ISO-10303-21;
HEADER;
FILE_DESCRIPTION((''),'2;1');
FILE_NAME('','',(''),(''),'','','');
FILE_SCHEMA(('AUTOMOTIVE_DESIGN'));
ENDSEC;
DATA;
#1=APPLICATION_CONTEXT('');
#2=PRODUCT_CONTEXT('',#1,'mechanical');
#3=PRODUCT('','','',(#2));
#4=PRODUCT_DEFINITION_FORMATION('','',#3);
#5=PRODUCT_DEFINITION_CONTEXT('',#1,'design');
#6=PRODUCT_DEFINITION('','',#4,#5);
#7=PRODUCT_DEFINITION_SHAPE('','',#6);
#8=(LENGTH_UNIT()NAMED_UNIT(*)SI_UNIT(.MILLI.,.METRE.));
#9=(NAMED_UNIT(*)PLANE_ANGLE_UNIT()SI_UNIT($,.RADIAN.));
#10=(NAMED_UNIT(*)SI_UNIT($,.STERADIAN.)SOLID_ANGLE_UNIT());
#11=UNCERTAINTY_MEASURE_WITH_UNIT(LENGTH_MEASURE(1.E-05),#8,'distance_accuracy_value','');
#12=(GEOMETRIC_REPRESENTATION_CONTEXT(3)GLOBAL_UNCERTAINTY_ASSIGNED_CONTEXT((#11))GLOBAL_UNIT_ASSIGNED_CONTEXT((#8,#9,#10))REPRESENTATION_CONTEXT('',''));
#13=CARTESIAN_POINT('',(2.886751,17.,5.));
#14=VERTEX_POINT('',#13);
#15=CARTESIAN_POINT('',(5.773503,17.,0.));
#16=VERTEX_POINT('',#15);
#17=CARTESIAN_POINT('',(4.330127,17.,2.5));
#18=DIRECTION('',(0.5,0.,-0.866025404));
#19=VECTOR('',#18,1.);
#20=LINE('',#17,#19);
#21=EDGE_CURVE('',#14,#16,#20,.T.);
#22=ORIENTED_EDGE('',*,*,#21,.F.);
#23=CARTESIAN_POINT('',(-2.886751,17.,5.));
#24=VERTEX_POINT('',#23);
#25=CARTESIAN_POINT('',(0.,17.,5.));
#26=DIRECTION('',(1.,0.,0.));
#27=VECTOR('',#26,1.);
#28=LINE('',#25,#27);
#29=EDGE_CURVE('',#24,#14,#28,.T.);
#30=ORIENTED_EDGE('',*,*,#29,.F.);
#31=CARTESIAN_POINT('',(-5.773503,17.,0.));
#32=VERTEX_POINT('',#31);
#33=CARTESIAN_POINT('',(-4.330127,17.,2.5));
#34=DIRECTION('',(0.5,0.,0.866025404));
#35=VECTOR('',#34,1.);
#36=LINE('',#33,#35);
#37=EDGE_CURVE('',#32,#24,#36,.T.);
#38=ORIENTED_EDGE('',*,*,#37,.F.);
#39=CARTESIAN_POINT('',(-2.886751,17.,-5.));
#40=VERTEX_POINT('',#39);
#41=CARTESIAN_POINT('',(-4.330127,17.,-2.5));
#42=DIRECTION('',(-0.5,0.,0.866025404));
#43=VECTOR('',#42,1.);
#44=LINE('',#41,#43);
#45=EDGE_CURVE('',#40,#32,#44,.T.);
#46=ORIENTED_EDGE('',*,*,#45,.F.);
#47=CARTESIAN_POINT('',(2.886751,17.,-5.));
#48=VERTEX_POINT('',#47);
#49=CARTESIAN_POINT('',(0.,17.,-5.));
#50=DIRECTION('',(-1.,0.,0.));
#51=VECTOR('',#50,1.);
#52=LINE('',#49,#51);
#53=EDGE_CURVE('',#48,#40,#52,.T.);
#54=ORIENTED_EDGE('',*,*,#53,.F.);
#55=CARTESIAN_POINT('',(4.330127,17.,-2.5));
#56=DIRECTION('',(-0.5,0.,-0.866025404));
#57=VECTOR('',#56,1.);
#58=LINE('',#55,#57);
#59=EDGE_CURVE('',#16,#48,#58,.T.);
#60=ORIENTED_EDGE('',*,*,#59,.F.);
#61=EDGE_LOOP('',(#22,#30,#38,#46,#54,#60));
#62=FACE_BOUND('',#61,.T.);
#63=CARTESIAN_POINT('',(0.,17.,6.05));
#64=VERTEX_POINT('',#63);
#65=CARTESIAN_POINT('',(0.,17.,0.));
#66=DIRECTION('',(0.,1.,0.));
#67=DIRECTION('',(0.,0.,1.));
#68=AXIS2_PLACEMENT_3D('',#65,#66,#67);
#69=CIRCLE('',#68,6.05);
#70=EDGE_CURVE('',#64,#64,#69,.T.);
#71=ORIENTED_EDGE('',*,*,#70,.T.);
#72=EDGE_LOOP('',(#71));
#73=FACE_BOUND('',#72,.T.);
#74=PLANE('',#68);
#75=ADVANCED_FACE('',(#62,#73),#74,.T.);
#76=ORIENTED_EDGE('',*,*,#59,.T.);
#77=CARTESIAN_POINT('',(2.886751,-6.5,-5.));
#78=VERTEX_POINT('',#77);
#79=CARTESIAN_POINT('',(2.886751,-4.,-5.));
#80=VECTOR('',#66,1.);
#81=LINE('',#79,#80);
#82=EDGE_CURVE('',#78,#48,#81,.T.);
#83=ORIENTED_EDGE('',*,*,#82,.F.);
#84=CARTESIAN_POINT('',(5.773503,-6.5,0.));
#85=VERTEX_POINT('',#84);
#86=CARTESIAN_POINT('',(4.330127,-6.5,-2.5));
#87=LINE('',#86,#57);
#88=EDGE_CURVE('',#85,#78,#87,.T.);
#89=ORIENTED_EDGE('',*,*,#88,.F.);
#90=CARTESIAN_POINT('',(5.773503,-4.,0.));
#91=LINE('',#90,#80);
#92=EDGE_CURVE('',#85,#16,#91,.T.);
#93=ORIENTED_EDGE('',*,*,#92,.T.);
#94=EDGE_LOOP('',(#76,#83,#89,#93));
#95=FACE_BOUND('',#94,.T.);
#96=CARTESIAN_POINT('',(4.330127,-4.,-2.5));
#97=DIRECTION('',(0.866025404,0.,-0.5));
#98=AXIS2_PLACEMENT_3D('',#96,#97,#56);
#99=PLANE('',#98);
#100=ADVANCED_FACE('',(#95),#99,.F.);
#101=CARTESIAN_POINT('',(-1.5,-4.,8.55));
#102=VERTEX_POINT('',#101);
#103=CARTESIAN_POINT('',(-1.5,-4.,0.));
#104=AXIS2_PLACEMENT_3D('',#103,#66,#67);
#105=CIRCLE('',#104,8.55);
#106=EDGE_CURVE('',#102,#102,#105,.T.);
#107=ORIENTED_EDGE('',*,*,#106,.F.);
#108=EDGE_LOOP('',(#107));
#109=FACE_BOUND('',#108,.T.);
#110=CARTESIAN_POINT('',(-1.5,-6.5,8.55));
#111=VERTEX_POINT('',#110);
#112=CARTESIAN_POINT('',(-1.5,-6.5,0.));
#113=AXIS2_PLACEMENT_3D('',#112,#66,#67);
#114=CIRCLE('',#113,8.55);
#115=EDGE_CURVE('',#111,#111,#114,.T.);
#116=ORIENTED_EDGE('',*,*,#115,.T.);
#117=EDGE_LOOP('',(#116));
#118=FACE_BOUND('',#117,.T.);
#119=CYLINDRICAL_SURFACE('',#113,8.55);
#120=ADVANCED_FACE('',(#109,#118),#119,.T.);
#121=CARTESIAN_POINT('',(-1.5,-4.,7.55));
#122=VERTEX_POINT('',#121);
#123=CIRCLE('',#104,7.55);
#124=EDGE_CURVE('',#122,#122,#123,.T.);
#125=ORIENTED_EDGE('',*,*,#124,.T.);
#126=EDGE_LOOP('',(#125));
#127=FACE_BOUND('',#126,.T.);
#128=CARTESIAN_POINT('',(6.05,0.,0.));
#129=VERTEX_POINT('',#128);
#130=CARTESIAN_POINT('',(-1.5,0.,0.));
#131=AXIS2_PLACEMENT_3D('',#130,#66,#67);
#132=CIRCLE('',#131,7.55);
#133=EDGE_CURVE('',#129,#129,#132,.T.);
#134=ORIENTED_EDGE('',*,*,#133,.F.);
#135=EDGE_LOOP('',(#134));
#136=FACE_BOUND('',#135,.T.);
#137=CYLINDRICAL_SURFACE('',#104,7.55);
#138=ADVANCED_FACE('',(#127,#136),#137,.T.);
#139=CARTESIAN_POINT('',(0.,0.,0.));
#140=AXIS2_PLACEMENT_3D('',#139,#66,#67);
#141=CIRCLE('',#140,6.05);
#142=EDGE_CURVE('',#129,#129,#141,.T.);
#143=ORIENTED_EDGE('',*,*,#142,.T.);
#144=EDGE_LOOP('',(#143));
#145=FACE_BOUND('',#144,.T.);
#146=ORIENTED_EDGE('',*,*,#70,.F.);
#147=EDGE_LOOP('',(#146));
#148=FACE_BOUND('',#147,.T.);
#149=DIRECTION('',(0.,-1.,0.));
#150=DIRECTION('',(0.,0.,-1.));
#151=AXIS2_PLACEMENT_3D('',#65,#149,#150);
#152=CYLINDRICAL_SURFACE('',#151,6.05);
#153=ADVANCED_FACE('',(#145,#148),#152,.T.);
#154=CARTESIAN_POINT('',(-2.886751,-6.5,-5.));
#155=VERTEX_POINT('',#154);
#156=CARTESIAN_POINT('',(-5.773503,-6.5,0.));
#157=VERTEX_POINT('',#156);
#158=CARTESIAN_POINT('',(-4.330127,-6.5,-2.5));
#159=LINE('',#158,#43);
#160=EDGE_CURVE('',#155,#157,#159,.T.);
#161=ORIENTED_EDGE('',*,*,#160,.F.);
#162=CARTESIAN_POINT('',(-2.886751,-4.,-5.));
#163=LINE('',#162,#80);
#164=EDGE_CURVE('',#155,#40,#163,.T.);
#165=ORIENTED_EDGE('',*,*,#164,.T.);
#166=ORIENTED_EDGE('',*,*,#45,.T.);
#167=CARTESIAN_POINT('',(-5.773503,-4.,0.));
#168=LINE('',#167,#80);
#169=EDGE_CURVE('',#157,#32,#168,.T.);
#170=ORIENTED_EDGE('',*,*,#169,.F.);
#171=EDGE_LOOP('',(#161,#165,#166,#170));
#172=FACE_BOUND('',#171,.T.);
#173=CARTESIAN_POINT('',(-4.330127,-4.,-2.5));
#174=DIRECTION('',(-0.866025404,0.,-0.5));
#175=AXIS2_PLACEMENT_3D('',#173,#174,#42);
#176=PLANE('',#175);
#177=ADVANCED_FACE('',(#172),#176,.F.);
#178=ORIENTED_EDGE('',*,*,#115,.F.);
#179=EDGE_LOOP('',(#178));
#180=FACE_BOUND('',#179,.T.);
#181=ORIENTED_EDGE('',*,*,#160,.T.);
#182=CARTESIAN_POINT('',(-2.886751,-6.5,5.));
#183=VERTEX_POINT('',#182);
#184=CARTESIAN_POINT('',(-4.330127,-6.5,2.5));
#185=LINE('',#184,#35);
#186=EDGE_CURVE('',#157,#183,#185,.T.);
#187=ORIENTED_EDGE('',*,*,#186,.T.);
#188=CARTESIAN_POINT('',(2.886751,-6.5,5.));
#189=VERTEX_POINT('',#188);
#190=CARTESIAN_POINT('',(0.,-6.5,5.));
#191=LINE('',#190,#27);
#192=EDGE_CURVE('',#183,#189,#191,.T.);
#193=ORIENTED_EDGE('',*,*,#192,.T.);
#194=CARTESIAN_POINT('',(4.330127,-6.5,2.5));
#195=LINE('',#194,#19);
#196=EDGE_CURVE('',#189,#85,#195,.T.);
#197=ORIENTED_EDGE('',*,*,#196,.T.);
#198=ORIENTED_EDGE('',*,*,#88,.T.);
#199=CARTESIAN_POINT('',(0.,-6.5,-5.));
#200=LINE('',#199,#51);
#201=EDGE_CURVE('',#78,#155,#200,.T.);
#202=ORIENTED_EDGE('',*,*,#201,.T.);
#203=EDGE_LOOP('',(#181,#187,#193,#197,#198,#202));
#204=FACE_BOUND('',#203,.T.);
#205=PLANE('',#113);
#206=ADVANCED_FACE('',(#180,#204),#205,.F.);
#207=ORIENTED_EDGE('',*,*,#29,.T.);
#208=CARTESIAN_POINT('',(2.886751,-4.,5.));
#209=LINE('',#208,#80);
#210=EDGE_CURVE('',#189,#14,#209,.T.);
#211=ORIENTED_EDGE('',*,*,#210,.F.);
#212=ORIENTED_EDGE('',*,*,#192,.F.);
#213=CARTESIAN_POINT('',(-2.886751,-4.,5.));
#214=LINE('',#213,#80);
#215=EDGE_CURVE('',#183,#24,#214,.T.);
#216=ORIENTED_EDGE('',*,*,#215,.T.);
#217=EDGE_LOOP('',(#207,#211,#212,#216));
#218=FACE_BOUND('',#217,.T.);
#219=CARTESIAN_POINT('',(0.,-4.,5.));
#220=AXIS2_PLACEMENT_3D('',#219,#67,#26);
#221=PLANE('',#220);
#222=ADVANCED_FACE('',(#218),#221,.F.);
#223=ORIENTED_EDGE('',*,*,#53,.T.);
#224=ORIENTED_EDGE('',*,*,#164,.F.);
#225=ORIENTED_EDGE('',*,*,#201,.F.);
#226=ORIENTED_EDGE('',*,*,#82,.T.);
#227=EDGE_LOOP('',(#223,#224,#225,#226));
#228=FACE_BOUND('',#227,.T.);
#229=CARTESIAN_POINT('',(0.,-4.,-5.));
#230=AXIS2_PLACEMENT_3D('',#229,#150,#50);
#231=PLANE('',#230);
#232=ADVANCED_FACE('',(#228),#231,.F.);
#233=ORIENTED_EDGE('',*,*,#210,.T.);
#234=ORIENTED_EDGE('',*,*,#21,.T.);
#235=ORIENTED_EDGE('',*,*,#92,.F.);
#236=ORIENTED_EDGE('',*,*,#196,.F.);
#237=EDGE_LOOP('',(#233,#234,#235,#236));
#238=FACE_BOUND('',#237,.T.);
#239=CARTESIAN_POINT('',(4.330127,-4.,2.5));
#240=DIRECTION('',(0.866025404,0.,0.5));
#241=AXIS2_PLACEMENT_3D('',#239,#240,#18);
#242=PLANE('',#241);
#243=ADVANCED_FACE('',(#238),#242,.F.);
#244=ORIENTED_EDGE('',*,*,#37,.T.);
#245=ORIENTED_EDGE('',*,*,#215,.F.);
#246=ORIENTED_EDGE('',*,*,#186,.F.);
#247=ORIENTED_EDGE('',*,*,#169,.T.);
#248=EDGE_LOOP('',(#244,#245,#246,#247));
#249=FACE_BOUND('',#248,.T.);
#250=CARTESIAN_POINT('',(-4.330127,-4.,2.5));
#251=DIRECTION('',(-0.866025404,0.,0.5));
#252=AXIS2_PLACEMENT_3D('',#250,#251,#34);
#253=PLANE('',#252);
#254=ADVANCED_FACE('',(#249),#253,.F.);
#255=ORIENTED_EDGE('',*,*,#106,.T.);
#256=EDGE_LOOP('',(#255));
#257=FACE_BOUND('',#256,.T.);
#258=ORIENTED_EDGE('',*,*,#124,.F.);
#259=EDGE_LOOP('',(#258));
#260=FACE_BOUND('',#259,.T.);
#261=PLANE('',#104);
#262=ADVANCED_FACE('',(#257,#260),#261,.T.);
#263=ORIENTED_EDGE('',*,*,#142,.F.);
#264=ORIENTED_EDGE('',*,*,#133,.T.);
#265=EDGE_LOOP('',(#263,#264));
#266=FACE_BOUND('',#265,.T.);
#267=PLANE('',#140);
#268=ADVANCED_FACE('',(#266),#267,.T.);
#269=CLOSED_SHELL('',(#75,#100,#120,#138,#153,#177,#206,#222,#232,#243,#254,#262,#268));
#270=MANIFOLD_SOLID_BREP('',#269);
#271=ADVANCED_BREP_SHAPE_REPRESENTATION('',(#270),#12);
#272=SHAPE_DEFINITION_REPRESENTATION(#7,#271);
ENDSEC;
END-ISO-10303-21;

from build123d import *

# Parameters (mm, degrees)
SKETCH1_R           = 7.55
SKETCH1_R_2         = 6.05
BOSS_EXTRUDE1_DEPTH = 4
BOSS_EXTRUDE2_START = -4
SKETCH1_4_R         = 8.55
BOSS_EXTRUDE2_DEPTH = 2.5
SKETCH1_5_R         = 6.05
BOSS_EXTRUDE3_DEPTH = 17


with BuildPart() as part:
    # Sketch1 → Boss-Extrude1 (new body)
    # profile 1 of 2: a face of its own
    with BuildSketch(Plane(origin=(0, 0, 0), x_dir=(1, 0, 0), z_dir=(0, 1, 0))):
        with Locations(Location((-1.5, 0, 0), (0, 0, 270))):
            Circle(SKETCH1_R)
        Circle(SKETCH1_R_2, mode=Mode.SUBTRACT)
    # profile 2 of 2: a face of its own
    with BuildSketch(Plane(origin=(0, 0, 0), x_dir=(1, 0, 0), z_dir=(0, 1, 0))):
        Circle(SKETCH1_R_2)
        Polygon((2.886751346, -5), (5.773502692, 0), (2.886751346, 5), (-2.886751346, 5), (-5.773502692, 0), (-2.886751346, -5), align=None, mode=Mode.SUBTRACT)
    extrude(amount=-BOSS_EXTRUDE1_DEPTH)

    # Sketch1<4> → Boss-Extrude2 (add)
    with BuildSketch(Plane(origin=(0, 0, 0), x_dir=(1, 0, 0), z_dir=(0, 1, 0)).offset(BOSS_EXTRUDE2_START)):
        with Locations(Location((-1.5, 0, 0), (0, 0, 270))):
            Circle(SKETCH1_4_R)
        Polygon((5.773502692, 0), (2.886751346, 5), (-2.886751346, 5), (-5.773502692, 0), (-2.886751346, -5), (2.886751346, -5), align=None, mode=Mode.SUBTRACT)
    extrude(amount=-BOSS_EXTRUDE2_DEPTH)

    # Sketch1<5> → Boss-Extrude3 (add)
    with BuildSketch(Plane(origin=(0, 0, 0), x_dir=(1, 0, 0), z_dir=(0, 1, 0))):
        Circle(SKETCH1_5_R)
        Polygon((2.886751346, -5), (5.773502692, 0), (2.886751346, 5), (-2.886751346, 5), (-5.773502692, 0), (-2.886751346, -5), align=None, mode=Mode.SUBTRACT)
    extrude(amount=BOSS_EXTRUDE3_DEPTH)


solid = part.part
